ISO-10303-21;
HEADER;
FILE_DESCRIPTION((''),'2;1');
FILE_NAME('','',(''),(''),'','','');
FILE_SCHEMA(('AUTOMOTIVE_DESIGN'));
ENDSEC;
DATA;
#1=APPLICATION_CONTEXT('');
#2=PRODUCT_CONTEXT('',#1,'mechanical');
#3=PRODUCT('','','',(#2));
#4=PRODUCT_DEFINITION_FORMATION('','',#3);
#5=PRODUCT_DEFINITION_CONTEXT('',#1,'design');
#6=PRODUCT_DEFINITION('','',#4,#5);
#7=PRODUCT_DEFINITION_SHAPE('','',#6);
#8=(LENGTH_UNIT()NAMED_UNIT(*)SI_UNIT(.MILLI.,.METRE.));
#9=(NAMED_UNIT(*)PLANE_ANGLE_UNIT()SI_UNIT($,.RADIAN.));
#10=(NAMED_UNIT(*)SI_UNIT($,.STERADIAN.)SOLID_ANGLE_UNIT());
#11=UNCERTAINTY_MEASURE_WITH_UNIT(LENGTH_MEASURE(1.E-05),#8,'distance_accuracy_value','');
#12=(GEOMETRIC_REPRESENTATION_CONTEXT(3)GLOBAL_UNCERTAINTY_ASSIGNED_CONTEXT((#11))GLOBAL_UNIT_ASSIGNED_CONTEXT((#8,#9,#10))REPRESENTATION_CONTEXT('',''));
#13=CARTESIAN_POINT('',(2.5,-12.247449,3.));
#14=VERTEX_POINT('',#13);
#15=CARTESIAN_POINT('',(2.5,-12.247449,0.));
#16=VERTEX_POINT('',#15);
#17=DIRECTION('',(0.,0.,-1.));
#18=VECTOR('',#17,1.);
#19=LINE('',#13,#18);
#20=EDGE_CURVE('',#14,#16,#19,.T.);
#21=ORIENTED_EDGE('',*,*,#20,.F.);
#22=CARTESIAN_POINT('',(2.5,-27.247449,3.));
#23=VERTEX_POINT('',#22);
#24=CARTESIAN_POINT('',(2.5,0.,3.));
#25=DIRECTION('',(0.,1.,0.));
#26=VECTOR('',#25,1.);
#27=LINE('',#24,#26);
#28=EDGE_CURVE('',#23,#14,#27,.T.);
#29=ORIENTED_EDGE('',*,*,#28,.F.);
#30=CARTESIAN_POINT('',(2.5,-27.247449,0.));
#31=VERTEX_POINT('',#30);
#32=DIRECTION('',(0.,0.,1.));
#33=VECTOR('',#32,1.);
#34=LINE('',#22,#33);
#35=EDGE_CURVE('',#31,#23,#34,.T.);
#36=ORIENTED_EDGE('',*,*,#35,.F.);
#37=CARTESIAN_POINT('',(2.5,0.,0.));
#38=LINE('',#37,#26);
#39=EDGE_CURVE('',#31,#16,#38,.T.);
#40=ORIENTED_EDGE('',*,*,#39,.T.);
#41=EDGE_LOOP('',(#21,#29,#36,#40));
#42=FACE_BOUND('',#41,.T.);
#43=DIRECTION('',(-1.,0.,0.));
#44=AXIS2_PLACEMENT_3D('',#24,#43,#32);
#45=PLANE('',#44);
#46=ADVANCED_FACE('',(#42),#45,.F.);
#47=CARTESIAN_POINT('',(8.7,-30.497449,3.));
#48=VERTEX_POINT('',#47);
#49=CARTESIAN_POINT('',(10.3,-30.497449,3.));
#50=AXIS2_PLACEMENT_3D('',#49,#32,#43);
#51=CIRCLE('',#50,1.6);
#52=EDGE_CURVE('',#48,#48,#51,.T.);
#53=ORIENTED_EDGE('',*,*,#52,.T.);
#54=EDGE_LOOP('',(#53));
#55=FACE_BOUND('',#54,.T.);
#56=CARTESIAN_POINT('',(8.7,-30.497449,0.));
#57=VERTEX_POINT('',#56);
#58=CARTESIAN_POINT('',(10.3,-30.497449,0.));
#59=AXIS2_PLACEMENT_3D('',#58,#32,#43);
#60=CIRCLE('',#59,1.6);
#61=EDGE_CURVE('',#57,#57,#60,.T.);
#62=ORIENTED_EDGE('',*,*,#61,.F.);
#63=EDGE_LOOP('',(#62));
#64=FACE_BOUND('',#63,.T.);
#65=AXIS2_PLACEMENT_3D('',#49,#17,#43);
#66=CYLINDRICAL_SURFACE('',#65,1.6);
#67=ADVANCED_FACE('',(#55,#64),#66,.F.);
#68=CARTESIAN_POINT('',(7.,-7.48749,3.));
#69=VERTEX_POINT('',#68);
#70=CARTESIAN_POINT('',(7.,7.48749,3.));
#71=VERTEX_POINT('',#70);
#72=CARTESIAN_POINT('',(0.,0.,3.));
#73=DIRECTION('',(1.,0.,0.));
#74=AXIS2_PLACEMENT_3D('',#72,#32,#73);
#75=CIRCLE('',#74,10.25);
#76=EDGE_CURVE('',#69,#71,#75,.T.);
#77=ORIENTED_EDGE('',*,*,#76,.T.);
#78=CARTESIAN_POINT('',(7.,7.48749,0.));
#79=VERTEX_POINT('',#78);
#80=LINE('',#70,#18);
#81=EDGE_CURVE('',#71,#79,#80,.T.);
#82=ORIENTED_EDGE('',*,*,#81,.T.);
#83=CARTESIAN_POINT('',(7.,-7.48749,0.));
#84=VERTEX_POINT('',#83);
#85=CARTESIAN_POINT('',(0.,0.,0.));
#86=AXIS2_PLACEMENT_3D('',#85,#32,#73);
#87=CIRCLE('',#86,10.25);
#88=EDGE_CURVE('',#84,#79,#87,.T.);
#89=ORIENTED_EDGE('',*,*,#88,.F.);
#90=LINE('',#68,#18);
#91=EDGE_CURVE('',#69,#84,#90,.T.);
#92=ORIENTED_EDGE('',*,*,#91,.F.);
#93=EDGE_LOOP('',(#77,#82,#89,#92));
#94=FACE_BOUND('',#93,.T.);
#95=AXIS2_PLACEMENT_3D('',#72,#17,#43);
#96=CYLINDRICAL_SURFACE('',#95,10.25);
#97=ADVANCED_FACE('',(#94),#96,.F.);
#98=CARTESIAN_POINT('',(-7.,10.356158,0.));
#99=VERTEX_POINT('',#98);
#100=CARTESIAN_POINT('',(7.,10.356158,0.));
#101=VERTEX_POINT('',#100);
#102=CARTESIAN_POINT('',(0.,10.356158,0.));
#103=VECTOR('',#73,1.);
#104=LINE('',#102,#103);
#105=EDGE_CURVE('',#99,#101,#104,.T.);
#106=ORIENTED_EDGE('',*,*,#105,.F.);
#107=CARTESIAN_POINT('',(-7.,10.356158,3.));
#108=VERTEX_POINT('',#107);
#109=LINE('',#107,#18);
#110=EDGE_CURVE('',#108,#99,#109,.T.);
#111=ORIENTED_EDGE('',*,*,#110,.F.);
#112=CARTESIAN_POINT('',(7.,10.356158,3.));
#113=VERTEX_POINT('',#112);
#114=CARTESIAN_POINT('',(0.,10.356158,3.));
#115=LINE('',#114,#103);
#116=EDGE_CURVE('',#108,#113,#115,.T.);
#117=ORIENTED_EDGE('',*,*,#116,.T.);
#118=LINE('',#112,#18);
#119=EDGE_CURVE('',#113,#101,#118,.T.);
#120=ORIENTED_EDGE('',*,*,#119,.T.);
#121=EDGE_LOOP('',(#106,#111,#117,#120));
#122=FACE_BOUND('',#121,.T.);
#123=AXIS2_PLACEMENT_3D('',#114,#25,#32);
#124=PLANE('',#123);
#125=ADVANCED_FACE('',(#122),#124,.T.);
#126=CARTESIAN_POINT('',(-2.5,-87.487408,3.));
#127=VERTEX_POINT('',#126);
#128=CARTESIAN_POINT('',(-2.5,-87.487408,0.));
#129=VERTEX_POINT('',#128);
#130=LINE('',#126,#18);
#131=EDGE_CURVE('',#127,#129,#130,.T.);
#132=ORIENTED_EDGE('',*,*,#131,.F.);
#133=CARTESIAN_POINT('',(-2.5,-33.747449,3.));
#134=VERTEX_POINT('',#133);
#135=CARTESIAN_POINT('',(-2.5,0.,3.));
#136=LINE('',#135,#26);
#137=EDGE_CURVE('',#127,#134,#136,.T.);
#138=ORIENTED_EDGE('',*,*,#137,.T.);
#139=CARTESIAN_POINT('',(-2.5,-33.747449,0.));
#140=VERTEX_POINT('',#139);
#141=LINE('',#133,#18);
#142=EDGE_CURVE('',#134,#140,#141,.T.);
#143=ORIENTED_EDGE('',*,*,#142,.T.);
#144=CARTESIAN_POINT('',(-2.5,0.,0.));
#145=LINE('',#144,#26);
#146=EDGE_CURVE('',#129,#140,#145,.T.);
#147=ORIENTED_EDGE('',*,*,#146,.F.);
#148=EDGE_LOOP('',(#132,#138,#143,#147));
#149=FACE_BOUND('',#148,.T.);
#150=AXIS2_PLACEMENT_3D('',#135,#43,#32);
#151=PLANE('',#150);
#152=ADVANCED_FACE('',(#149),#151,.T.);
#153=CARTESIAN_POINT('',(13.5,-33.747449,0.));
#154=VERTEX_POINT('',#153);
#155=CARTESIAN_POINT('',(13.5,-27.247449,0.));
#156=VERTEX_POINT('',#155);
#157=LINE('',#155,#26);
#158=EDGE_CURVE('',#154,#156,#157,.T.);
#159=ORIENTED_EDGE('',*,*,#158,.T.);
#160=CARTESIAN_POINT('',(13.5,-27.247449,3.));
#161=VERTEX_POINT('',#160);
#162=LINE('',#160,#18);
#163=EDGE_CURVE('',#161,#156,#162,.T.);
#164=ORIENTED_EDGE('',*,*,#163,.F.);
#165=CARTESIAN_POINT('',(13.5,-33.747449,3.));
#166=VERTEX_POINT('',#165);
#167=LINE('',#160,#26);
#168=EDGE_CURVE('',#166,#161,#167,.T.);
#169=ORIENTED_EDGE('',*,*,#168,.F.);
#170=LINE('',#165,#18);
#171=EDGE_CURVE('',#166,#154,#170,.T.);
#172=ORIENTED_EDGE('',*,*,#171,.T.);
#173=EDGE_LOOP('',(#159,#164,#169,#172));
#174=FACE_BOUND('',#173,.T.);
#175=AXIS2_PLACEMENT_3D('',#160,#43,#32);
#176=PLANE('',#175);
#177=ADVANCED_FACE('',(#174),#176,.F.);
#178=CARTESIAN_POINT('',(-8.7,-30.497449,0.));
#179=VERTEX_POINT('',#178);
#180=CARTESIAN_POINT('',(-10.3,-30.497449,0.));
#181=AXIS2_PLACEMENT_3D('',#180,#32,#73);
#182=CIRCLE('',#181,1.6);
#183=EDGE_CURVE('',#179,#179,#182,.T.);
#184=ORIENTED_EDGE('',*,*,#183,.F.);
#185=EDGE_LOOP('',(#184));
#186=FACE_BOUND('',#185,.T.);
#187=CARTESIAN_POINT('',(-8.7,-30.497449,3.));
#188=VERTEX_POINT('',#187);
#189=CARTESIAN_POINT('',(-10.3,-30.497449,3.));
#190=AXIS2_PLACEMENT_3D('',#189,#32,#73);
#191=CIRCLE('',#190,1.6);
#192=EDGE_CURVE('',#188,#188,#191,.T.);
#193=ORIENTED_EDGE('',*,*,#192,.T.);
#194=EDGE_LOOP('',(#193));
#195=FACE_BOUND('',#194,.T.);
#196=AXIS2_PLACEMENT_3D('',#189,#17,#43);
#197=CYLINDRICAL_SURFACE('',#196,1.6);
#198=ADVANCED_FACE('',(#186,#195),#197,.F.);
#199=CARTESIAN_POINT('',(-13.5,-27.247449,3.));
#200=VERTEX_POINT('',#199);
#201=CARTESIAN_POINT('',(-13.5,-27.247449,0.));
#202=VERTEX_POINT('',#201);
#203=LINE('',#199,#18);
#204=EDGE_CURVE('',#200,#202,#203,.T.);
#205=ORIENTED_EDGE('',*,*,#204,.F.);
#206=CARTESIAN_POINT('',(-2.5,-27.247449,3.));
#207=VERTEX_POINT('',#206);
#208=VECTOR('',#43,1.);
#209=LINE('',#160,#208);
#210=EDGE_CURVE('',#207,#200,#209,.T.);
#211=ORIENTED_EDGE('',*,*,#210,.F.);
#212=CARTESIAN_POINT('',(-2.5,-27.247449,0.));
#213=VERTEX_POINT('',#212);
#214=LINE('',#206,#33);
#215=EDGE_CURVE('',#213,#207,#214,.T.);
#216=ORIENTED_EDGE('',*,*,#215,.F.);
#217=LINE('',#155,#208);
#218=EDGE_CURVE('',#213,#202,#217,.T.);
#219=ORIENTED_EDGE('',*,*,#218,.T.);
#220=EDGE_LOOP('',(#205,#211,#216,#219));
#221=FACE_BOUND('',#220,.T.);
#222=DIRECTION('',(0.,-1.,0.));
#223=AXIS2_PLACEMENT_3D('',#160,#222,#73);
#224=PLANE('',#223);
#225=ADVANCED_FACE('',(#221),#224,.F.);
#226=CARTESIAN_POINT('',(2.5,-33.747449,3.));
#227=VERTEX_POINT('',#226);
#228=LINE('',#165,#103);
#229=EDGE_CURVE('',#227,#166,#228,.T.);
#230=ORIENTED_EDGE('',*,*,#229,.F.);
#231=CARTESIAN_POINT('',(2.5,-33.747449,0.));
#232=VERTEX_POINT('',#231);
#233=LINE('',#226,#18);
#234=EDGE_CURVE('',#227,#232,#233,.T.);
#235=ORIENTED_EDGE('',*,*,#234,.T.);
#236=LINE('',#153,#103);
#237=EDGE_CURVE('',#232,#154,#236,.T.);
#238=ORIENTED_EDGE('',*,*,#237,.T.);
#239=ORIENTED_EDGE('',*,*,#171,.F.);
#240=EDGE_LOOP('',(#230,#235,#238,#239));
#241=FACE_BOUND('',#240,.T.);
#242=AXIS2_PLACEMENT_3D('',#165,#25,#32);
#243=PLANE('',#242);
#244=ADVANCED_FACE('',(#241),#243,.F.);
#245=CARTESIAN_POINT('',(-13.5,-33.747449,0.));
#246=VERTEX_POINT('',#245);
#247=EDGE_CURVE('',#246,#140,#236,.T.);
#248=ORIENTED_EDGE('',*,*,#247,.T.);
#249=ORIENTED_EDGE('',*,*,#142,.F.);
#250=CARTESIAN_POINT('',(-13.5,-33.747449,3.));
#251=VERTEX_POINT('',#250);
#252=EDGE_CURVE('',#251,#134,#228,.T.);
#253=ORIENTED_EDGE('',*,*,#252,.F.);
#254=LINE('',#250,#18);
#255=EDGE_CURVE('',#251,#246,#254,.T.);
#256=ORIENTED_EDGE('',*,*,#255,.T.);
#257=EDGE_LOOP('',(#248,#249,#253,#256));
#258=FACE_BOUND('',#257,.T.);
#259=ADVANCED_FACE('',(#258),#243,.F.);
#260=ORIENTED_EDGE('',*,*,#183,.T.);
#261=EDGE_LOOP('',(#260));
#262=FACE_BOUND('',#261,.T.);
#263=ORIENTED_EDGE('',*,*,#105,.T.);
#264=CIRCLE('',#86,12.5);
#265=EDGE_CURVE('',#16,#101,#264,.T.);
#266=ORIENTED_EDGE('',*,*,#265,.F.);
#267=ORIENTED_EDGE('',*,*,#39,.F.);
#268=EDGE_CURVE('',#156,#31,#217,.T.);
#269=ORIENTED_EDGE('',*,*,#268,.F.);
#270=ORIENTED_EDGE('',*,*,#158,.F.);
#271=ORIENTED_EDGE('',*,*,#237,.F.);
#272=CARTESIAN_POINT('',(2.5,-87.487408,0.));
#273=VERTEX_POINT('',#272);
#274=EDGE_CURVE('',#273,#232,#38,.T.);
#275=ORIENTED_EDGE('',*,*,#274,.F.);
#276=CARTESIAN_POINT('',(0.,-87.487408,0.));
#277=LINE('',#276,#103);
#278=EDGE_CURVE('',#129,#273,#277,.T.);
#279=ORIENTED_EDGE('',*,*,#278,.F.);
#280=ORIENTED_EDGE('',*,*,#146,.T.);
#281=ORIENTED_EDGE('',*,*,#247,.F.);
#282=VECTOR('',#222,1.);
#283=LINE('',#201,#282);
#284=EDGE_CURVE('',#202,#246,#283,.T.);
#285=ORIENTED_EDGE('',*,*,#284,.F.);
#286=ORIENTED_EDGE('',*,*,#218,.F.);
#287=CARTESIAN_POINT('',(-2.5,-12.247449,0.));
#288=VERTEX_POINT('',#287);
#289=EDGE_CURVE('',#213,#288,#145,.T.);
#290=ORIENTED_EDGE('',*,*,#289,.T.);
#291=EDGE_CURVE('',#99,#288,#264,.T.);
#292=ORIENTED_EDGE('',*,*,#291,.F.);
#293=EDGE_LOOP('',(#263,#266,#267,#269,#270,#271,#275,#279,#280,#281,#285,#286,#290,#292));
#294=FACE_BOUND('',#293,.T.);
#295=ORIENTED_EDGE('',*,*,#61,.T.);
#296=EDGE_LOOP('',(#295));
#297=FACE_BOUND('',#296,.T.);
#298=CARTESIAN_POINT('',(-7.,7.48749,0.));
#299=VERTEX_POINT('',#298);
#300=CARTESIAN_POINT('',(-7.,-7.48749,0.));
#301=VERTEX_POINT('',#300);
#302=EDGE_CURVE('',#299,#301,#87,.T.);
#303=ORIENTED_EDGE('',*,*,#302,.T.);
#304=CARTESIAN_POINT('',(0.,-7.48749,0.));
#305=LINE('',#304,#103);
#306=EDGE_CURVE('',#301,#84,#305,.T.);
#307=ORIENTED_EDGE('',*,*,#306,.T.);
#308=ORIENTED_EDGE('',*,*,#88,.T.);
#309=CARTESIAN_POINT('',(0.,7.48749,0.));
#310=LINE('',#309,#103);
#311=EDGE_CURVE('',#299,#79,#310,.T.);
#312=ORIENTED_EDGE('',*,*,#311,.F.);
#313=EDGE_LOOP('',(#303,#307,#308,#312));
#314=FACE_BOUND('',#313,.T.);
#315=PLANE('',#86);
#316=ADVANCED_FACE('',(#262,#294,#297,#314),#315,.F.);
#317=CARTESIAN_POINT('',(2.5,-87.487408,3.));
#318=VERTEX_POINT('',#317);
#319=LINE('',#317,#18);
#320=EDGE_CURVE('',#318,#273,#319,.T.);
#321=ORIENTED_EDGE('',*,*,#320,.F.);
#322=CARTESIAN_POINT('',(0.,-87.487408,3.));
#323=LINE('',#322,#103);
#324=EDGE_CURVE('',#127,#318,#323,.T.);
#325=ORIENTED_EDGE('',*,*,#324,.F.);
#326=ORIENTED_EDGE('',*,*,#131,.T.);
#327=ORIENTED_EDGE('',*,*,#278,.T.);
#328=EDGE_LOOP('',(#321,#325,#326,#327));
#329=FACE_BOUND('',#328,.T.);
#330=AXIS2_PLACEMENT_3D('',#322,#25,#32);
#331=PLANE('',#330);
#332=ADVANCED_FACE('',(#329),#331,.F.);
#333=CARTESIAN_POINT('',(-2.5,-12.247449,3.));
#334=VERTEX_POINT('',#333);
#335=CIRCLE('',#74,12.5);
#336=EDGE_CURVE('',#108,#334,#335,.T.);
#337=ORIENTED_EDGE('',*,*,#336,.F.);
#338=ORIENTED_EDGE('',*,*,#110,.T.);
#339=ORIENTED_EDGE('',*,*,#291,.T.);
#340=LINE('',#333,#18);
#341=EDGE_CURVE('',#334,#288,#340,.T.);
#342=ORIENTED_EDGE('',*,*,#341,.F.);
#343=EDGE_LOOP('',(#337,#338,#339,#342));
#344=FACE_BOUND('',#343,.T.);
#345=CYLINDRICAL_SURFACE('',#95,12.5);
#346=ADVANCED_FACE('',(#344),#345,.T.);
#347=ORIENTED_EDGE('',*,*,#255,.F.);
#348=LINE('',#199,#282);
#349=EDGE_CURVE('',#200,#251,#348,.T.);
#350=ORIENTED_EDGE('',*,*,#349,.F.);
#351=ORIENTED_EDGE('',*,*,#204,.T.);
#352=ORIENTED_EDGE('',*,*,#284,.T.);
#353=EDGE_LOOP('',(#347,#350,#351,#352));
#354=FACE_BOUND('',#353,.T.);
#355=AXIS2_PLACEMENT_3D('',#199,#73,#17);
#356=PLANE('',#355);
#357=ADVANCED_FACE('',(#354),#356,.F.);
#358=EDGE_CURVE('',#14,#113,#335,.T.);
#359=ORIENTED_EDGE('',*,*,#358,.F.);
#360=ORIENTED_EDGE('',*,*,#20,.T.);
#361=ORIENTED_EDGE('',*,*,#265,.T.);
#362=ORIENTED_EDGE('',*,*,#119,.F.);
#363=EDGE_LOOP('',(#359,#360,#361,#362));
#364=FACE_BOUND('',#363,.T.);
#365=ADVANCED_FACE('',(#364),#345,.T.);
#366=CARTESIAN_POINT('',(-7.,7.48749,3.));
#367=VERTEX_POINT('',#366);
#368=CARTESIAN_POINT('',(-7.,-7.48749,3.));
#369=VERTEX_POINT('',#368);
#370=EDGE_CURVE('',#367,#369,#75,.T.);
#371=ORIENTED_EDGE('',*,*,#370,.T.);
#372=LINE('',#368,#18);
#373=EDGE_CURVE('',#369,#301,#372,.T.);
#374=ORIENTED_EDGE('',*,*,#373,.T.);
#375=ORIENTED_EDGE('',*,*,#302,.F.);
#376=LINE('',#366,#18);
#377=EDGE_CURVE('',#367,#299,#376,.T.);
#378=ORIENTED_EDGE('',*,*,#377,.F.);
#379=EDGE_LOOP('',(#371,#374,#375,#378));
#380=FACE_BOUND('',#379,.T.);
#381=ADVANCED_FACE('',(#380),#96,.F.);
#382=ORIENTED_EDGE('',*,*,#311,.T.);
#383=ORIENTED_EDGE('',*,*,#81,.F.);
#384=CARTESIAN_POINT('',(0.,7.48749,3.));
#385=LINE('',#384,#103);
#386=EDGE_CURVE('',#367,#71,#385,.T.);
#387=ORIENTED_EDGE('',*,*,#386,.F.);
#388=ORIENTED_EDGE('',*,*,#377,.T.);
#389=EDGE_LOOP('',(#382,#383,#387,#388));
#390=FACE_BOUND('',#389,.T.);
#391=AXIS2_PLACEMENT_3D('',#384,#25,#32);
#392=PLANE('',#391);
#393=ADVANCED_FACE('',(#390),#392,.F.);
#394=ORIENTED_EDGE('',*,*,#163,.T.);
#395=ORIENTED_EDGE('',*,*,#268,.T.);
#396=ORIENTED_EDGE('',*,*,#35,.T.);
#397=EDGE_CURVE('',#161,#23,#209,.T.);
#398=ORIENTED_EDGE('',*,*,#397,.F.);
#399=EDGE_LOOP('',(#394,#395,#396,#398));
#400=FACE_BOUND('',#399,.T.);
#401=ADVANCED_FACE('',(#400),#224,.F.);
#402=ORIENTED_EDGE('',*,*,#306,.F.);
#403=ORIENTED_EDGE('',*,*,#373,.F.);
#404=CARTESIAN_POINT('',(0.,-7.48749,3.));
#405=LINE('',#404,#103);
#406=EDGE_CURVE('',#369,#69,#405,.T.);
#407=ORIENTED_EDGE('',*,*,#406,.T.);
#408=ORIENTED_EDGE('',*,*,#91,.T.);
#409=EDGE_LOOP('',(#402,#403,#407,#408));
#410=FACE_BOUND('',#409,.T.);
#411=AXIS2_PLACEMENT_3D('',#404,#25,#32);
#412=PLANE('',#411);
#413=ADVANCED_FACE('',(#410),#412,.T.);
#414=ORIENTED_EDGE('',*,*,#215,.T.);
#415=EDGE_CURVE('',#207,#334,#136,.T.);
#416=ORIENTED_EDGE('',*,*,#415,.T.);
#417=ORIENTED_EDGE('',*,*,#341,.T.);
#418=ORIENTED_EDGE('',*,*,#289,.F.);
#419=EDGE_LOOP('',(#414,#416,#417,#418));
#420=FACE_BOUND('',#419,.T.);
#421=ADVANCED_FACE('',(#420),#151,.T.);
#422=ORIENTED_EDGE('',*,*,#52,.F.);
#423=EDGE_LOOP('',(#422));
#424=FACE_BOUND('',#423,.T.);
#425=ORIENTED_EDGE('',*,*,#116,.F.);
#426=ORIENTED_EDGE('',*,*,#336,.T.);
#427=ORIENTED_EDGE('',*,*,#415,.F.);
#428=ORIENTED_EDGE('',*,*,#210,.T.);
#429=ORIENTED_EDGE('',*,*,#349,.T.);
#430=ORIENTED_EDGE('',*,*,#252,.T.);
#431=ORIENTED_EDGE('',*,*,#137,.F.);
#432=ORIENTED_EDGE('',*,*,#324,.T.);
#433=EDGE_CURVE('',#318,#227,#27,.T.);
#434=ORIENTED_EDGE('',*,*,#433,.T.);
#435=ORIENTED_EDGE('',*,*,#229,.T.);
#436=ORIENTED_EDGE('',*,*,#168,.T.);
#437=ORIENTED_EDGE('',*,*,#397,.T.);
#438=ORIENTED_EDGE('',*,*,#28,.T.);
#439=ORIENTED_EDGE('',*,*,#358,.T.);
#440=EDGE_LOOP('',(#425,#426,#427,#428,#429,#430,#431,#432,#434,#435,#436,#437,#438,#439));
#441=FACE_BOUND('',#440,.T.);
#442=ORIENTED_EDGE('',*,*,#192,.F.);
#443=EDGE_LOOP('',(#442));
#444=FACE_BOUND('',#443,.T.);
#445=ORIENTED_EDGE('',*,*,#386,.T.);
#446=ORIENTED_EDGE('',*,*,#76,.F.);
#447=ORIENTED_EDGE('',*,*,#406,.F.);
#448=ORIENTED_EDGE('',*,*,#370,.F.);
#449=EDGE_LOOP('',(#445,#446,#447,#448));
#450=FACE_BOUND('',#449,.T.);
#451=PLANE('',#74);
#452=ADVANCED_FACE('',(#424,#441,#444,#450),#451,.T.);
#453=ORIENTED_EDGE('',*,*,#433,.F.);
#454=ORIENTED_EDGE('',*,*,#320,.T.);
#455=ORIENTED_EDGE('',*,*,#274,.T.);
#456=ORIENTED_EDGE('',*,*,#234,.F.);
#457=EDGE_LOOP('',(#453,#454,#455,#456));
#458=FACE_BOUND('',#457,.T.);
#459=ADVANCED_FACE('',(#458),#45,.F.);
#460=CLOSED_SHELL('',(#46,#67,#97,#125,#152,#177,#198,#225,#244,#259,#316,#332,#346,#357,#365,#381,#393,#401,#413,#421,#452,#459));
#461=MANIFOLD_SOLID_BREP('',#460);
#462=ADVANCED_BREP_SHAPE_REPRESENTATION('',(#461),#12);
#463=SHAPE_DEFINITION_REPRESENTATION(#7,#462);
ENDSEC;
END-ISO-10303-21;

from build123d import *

# Parameters (mm, degrees)
BOSS_EXTRUDE1_DEPTH = 3
SKETCH3_W           = 27
SKETCH3_H           = 6.5
SKETCH3_R           = 1.6
BOSS_EXTRUDE2_DEPTH = 3


with BuildPart() as part:
    # Sketch1 → Boss-Extrude1 (new body)
    with BuildSketch(Plane.XY):
        with BuildLine():
            Line((2.5, -87.48740775), (2.5, -12.247448714))
            ThreePointArc((2.5, -12.247448714), (12.259414932, -2.440644491), (7, 10.356157589))
            Line((7, 10.356157589), (-7, 10.356157589))
            ThreePointArc((-7, 10.356157589), (-12.259414932, -2.440644491), (-2.5, -12.247448714))
            Line((-2.5, -12.247448714), (-2.5, -87.48740775))
            Line((-2.5, -87.48740775), (2.5, -87.48740775))
        make_face()
        with BuildLine():
            ThreePointArc((7, -7.487489566), (10.25, 0), (7, 7.487489566))
            Line((7, 7.487489566), (-7, 7.487489566))
            ThreePointArc((-7, 7.487489566), (-10.25, 0), (-7, -7.487489566))
            Line((-7, -7.487489566), (7, -7.487489566))
        make_face(mode=Mode.SUBTRACT)
    extrude(amount=BOSS_EXTRUDE1_DEPTH)

    # Sketch3 → Boss-Extrude2 (add)
    with BuildSketch(Plane.XY):
        with Locations((0, -30.497448714)):
            Rectangle(SKETCH3_W, SKETCH3_H)
        with Locations((-10.3, -30.497448714)):
            Circle(SKETCH3_R, mode=Mode.SUBTRACT)
        with Locations(Location((10.3, -30.497448714, 0), (0, 0, 180))):
            Circle(SKETCH3_R, mode=Mode.SUBTRACT)
    extrude(amount=BOSS_EXTRUDE2_DEPTH)


solid = part.part
